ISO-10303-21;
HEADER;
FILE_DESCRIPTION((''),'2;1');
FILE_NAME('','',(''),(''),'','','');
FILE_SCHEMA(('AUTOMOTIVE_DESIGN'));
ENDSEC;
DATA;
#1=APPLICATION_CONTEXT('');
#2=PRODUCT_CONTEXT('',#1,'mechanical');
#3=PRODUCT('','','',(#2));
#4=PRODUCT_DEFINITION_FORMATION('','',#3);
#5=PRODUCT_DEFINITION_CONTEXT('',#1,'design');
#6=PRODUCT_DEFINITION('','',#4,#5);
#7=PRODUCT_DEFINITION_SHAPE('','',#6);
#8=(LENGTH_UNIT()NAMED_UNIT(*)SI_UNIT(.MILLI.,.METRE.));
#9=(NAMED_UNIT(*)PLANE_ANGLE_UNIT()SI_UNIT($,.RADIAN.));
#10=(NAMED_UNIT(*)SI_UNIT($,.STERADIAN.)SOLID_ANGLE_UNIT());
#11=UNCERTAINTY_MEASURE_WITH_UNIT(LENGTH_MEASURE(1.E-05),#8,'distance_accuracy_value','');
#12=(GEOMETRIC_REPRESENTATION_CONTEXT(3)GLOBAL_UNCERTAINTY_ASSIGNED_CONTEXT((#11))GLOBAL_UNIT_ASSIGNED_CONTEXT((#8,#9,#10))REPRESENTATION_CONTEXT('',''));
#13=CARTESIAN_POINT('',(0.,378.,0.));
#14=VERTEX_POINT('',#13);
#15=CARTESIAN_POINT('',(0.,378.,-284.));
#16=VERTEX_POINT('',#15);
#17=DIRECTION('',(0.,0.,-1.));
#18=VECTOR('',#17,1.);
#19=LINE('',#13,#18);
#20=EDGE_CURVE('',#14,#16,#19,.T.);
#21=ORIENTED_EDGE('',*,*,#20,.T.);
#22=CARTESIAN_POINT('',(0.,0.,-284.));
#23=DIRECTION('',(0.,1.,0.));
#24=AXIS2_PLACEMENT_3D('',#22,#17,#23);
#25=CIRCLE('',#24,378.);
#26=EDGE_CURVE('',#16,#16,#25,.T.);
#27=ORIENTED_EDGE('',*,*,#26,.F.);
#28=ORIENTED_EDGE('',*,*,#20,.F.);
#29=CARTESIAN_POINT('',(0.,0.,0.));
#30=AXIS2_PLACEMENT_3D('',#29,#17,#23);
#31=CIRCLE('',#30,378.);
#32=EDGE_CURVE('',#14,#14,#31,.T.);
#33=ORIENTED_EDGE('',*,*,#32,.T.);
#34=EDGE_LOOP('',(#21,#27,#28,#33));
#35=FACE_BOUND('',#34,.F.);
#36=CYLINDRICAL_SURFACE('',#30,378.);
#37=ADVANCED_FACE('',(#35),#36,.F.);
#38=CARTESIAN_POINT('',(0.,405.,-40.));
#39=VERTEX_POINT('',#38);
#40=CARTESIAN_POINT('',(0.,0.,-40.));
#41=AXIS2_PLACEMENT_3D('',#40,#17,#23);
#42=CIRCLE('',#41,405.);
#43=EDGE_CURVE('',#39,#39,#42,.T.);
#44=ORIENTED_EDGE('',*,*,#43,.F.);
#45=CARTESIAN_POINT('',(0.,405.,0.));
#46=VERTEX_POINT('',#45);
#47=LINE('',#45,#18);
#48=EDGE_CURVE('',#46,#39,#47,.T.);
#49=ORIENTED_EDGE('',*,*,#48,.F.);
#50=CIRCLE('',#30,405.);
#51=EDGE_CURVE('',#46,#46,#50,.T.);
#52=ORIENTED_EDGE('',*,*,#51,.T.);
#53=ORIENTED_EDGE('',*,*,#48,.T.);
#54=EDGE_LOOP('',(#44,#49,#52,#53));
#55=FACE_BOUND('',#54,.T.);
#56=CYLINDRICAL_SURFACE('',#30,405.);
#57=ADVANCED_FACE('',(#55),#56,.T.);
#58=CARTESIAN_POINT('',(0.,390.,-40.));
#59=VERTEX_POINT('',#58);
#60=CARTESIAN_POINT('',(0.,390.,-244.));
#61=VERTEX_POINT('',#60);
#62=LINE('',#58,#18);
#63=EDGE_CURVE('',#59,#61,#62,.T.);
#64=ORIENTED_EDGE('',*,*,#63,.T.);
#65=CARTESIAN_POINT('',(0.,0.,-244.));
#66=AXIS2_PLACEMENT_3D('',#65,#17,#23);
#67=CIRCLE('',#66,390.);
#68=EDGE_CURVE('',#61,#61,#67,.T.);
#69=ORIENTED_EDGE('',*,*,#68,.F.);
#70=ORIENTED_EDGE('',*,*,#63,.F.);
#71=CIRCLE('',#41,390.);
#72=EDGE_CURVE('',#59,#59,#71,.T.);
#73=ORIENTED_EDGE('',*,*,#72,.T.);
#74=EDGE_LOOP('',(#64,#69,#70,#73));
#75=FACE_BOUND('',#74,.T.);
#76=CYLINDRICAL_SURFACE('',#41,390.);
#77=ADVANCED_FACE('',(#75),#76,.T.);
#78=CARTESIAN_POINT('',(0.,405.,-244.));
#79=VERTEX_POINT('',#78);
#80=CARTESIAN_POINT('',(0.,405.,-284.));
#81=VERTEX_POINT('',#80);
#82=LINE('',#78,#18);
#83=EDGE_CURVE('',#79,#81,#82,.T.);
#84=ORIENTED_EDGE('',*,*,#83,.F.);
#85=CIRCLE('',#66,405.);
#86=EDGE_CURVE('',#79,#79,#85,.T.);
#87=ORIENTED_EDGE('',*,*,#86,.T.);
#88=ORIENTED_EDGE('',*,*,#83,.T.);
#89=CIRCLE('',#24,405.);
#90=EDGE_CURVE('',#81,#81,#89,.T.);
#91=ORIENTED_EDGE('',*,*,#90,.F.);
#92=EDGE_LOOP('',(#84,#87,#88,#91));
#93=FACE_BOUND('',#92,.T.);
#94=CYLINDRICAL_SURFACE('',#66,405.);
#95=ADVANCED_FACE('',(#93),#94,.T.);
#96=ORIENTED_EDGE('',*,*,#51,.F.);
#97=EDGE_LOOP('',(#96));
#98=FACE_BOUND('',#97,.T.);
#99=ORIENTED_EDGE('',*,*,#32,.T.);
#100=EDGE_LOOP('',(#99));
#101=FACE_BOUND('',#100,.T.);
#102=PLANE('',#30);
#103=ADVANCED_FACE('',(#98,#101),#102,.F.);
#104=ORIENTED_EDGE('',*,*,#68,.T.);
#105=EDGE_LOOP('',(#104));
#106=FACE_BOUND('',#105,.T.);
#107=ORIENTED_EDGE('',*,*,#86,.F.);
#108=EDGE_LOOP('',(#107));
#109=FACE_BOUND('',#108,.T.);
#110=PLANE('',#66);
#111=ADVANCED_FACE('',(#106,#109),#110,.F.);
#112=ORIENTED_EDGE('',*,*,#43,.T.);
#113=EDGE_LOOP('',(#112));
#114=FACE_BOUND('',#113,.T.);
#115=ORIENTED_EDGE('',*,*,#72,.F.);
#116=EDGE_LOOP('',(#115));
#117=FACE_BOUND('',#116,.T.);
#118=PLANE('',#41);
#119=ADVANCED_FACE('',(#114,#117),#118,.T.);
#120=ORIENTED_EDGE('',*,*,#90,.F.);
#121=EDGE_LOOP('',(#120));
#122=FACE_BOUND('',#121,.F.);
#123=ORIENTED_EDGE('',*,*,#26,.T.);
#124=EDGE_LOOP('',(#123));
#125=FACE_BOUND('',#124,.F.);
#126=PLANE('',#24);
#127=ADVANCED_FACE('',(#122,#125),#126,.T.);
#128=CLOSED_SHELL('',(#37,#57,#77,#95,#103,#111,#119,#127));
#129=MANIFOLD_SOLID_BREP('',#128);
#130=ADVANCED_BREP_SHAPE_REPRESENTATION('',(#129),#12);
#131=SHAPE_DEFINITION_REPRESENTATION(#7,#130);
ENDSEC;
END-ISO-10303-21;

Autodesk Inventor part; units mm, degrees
ref_plane "YZ Plane" through (0, 0, 0) normal (1, 0, 0) x (0, 1, 0)
ref_plane "XZ Plane" through (0, 0, 0) normal (0, 1, 0) x (-1, 0, 0)
ref_plane "XY Plane" through (0, 0, 0) normal (0, 0, 1) x (1, 0, 0)
sketch "Sketch1" plane through (0, 0, 0) normal (1, 0, 0) x (0, 1, 0)
  line L0 (0, 0) -> (0, -284)
  line L1 (0, 0) -> (378, 0)
  line L2 (378, 0) -> (378, -284)
  line L3 (378, -284) -> (0, -284)
  line L4 (378, 0) -> (405, 0)
  line L5 (405, 0) -> (405, -40)
  line L6 (405, -40) -> (390, -40)
  line L7 (390, -40) -> (390, -244)
  line L8 (390, -244) -> (405, -244)
  line L9 (405, -244) -> (405, -284)
  line L10 (378, -284) -> (405, -284)
  dimension "d0" = 756
  dimension "d1" = 780
  dimension "d2" = 810
  dimension "d3" = 40
  dimension "d4" = 40
  dimension "d5" = 284
revolve "Revolution1" add sketch "Sketch1" angle 360 about axis through (0, 0, 0) along (0, 0, -1) contours L4 L5 L6 L7 L8 L9 L10 L2
properties part number "DiscoCorpoTurbina4" material "Steel, Alloy"
